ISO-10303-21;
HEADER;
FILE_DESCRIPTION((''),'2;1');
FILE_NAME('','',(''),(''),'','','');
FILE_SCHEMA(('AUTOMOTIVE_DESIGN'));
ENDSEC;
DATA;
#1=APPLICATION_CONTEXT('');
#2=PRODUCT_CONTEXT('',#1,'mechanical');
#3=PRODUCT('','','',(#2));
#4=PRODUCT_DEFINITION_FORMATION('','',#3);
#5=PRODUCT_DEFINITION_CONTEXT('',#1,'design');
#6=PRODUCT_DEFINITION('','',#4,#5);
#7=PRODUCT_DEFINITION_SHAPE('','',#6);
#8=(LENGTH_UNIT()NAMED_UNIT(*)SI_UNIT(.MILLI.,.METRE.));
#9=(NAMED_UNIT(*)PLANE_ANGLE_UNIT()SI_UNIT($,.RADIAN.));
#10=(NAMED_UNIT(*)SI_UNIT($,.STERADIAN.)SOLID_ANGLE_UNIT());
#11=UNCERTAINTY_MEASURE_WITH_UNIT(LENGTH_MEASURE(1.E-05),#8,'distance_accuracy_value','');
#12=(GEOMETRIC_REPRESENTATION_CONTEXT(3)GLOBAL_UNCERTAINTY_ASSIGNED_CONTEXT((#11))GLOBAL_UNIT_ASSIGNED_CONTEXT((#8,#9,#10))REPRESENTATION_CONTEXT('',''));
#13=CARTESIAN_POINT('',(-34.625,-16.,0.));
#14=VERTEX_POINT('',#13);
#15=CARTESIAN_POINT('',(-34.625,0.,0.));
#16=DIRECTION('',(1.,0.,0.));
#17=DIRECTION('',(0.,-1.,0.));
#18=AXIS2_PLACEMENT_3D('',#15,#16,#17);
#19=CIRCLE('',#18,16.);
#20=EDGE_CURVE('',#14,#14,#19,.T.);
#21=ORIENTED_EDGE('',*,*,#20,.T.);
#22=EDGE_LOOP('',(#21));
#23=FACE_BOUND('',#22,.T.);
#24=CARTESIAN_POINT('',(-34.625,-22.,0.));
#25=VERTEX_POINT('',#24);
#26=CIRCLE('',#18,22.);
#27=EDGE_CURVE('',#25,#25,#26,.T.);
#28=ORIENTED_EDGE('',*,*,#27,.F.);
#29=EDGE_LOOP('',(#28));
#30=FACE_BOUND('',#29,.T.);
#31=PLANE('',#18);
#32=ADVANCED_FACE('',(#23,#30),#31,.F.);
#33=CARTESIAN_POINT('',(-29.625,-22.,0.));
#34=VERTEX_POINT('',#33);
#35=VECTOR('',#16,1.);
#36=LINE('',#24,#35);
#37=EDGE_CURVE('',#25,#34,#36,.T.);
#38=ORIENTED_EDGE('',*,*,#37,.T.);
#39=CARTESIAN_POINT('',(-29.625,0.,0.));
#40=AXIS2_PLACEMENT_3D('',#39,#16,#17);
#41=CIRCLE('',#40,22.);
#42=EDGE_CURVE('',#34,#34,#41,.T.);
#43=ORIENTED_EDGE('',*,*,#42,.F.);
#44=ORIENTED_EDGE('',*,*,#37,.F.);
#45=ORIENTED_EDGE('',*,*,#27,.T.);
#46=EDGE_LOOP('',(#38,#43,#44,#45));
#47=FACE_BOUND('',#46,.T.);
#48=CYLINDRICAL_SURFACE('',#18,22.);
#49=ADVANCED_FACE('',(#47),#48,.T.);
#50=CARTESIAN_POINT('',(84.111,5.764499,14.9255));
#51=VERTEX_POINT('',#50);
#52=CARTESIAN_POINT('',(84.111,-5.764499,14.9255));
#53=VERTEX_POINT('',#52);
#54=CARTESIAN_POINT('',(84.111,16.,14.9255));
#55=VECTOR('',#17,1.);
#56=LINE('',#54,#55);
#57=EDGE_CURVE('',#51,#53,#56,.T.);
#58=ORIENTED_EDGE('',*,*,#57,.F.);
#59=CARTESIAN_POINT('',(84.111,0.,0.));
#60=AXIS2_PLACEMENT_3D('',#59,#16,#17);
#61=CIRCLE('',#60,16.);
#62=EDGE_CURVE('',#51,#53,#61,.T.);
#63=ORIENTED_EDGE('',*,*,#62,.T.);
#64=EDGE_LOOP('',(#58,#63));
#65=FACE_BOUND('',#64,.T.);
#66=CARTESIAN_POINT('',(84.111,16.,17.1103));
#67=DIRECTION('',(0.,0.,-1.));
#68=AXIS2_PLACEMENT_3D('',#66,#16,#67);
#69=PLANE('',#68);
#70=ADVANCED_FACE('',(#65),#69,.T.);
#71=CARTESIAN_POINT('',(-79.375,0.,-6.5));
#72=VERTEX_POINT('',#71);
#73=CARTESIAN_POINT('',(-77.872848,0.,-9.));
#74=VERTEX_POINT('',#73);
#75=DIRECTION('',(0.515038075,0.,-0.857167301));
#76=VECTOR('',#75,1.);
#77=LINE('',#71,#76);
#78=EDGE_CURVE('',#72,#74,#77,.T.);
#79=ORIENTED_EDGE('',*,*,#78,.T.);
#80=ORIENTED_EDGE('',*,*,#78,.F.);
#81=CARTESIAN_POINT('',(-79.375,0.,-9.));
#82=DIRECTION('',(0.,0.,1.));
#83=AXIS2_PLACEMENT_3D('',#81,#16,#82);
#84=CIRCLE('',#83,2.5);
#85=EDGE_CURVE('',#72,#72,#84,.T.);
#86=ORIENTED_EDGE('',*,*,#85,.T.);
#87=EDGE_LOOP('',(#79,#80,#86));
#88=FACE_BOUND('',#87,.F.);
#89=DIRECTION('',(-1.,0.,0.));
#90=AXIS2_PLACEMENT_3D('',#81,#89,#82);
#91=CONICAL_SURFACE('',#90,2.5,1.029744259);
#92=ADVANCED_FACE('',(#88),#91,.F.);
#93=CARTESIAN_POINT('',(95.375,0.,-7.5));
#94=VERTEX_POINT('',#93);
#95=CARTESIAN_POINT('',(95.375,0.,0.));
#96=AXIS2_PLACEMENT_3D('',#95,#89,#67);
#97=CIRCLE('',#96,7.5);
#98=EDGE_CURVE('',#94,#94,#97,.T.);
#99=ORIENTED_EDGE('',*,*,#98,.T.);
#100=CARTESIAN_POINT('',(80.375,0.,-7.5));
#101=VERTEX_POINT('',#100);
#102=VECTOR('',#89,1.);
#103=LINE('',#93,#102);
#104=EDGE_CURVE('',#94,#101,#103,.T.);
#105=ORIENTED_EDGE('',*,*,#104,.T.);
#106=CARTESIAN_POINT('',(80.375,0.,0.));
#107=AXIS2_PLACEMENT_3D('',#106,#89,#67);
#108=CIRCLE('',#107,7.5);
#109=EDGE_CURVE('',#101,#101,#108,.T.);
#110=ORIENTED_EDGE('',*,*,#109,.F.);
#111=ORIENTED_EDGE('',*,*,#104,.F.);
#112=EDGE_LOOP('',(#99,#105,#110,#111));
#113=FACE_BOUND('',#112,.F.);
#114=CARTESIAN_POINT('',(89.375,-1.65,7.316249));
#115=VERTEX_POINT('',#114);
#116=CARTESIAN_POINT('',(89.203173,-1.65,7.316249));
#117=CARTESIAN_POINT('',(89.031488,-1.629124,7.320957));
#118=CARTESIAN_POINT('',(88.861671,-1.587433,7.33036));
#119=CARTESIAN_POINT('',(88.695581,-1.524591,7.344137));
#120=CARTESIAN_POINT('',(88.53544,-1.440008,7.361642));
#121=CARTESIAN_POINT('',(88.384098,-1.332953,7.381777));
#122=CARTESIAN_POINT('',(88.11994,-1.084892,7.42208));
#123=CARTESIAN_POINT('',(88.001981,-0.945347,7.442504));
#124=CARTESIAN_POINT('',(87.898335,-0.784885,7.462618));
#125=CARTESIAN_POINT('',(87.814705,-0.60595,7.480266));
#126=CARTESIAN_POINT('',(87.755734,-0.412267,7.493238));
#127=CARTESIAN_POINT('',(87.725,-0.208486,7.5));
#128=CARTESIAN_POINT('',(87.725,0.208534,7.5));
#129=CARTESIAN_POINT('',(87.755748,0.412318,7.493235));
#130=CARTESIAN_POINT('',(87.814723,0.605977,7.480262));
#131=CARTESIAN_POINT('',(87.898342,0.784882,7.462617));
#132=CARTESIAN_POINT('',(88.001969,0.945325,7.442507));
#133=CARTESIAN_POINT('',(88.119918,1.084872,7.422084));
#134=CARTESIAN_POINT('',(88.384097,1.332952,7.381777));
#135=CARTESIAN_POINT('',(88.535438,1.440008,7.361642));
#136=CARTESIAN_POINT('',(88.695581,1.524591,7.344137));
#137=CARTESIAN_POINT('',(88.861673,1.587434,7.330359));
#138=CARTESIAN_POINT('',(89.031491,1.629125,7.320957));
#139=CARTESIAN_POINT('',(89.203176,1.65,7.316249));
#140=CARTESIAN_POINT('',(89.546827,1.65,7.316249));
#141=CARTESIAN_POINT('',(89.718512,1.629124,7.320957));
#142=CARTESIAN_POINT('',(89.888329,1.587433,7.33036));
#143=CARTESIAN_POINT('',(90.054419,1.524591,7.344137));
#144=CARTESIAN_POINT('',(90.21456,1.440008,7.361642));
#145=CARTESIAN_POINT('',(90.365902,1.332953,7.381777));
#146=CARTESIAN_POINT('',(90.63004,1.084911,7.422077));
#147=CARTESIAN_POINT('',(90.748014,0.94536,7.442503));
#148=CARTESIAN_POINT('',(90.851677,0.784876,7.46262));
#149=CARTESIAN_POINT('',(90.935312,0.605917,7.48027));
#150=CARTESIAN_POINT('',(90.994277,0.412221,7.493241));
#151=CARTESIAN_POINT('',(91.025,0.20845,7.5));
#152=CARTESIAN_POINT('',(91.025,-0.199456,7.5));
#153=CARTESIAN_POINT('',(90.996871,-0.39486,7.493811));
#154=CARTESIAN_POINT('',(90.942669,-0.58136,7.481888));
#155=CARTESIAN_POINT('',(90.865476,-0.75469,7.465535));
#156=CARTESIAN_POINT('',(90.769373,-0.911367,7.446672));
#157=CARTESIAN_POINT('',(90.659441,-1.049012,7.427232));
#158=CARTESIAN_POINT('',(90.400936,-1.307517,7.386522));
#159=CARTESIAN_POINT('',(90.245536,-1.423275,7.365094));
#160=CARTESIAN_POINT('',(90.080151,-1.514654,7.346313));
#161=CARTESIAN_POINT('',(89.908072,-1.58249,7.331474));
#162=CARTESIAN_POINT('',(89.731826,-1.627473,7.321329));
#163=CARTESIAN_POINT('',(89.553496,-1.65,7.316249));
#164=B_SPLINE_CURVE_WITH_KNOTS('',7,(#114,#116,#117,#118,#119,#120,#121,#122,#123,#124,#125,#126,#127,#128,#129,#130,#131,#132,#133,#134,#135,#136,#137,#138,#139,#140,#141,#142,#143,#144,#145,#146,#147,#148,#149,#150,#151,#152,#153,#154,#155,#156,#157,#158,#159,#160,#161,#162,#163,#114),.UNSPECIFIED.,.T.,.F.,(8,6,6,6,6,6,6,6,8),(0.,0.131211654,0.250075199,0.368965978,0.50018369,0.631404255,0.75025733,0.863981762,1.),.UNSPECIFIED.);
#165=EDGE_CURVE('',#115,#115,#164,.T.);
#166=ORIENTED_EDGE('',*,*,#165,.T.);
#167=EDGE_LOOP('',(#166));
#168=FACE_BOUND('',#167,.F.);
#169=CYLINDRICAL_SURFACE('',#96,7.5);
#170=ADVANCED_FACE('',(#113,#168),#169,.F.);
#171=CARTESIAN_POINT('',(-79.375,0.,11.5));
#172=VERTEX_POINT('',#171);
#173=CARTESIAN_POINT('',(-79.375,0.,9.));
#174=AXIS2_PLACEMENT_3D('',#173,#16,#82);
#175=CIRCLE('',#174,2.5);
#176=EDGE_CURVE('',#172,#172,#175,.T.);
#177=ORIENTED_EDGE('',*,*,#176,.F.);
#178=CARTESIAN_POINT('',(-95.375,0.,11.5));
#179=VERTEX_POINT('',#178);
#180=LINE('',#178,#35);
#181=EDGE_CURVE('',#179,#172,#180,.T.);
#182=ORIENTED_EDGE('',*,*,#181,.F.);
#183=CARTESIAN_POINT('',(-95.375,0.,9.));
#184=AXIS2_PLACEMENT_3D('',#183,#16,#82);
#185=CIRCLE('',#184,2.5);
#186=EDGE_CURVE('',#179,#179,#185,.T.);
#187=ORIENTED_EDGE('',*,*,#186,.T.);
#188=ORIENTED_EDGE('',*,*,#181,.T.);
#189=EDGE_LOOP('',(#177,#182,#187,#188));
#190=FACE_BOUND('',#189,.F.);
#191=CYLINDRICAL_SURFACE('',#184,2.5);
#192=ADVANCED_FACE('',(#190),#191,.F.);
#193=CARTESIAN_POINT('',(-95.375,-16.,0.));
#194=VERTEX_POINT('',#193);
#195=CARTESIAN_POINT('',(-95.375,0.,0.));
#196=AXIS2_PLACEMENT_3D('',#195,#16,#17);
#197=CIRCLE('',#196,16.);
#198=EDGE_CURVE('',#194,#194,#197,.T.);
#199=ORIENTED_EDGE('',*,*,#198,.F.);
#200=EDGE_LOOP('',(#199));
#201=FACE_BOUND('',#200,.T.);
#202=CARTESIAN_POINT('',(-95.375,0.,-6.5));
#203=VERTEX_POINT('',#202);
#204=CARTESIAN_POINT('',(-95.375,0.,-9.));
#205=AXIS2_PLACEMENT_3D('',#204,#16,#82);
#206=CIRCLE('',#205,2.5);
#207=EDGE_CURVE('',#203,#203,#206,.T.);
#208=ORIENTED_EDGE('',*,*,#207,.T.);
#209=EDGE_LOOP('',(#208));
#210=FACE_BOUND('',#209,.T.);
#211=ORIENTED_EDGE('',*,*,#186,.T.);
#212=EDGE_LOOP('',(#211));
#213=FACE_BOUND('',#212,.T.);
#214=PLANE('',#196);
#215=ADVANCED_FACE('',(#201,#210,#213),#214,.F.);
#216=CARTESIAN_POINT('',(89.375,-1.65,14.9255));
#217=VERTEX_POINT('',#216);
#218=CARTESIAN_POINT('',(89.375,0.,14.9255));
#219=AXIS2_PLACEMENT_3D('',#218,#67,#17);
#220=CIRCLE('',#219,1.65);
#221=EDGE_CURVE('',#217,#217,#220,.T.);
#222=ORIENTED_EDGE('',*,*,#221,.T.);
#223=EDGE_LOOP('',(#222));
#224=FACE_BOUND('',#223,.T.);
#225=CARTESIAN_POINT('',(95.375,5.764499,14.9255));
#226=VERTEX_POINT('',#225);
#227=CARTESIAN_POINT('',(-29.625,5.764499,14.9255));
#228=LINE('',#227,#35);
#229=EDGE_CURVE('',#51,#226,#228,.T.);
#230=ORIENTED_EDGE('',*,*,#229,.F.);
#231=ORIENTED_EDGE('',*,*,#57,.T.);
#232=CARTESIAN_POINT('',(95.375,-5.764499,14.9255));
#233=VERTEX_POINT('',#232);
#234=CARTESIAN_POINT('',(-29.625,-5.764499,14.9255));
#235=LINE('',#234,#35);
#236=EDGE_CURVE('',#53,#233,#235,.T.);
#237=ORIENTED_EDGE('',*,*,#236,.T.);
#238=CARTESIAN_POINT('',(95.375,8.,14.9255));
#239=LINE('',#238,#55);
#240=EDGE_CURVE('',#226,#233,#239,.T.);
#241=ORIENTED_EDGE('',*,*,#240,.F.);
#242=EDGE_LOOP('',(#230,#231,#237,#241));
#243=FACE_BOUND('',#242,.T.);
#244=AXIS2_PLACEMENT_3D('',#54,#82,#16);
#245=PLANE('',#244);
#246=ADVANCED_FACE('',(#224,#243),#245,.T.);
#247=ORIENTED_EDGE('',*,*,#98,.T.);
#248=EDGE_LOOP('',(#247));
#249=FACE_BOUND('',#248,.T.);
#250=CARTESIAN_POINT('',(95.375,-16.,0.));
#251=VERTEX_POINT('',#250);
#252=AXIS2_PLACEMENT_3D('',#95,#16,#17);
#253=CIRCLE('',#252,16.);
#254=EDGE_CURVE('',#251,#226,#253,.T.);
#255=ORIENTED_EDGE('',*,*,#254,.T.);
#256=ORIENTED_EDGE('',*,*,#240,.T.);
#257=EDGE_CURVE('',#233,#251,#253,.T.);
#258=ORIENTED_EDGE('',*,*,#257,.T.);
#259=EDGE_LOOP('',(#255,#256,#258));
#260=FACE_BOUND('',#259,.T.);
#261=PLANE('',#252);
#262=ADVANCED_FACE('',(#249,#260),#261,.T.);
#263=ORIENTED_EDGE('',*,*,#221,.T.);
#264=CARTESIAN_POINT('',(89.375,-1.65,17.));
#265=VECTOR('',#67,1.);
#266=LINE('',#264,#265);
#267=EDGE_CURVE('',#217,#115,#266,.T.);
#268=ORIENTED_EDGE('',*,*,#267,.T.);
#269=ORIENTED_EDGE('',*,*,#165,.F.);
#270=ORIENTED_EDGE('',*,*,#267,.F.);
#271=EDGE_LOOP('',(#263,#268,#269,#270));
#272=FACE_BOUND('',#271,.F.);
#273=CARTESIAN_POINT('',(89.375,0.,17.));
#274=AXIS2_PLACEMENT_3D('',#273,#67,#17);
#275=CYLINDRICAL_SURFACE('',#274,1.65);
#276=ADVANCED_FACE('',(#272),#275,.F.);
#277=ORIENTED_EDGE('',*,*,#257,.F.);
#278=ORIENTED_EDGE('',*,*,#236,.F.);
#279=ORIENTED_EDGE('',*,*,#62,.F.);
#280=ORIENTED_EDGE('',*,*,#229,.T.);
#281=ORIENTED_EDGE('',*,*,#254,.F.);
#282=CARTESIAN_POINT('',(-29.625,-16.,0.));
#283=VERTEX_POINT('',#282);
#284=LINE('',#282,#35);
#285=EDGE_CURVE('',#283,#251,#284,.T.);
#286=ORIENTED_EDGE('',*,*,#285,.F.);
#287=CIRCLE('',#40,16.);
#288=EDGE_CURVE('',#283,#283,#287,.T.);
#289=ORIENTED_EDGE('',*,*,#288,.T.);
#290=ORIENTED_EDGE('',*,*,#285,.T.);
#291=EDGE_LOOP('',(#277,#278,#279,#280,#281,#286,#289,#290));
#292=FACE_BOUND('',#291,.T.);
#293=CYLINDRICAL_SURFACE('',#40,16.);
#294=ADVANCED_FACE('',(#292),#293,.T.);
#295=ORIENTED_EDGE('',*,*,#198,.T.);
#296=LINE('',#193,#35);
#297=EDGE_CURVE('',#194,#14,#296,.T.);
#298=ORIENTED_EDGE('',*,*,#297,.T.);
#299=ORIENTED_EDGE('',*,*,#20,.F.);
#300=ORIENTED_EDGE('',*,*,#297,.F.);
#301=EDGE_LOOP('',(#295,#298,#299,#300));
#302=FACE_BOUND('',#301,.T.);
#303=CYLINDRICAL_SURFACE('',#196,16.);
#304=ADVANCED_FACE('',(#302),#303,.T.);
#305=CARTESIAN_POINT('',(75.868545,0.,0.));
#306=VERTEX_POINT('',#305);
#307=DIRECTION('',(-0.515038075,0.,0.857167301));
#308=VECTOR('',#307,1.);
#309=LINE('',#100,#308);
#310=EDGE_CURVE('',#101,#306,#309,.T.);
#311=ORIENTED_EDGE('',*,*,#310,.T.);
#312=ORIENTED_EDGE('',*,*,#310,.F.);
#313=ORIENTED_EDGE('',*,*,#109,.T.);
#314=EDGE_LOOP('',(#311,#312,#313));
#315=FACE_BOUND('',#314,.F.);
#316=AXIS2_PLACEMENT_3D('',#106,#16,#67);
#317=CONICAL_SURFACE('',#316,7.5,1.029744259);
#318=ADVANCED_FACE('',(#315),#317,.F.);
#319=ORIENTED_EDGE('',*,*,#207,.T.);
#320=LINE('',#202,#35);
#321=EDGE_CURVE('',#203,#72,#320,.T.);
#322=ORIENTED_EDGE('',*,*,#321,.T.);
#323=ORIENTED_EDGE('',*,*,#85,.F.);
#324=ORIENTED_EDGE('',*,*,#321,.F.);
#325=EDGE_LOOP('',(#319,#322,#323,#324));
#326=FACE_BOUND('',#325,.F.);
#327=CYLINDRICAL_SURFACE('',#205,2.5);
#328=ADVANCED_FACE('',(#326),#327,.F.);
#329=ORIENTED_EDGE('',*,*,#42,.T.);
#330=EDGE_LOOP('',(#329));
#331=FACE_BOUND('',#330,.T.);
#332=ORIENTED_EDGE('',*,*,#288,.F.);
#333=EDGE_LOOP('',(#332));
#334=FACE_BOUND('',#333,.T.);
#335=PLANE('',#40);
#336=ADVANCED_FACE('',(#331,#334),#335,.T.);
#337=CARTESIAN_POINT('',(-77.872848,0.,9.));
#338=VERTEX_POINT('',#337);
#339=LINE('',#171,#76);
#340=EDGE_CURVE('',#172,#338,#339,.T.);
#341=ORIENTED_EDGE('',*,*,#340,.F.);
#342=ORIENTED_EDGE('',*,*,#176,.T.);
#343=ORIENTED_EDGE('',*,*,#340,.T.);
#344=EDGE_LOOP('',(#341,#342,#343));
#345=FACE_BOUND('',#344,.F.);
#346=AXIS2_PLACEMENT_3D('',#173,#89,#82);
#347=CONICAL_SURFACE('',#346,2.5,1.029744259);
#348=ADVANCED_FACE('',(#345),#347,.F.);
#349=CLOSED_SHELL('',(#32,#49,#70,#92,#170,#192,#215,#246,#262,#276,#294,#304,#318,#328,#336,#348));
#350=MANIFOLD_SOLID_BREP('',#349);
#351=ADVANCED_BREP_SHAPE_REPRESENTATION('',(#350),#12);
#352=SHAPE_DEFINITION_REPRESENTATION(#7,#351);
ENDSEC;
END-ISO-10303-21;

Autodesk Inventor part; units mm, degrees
ref_plane "YZ Plane" through (0, 0, 0) normal (1, 0, 0) x (0, 1, 0)
sketch "Skizze1" plane through (0, 0, 0) normal (0, 0, 1) x (1, 0, 0)
  line L0 (-95.375, 0) -> (-95.375, -16)
  line L1 (-95.375, -16) -> (-34.625, -16)
  line L2 (-34.625, -16) -> (-34.625, -22)
  line L3 (-34.625, -22) -> (-29.625, -22)
  line L4 (-29.625, -22) -> (-29.625, -16)
  line L5 (-29.625, -16) -> (95.375, -16)
  line L6 (95.375, -16) -> (95.375, 0)
  line L7 (0, -26.4) -> (0, 4.4) projected
  line L8 (-95.375, 0) -> (95.375, 0)
  point P0 (0, 0)
  dimension "d0" = 190.75
  dimension "d1" = 60.75
  dimension "d2" = 5
  dimension "d3" = 44
  dimension "d4" = 32
revolve "Umdrehung1" add sketch "Skizze1" angle 360 about axis through (-95.375, 0, 0) along (1, 0, 0)
sketch "Skizze2" plane through (95.375, 0, 0) normal (1, 0, 0) x (0, 0, -1)
  point P0 (0, 0)
  point P1 (0, 0)
hole "Bohrung1" at (95.375, 0, 0) direction (-1, 0, 0) diameter 15 depth 15 tip angle 118
ref_plane "Arbeitsebene1" through (0, 0, 17) normal (0, 0, 1) x (1, 0, 0)
sketch "Skizze3" plane through (0, 0, 17) normal (0, 0, 1) x (1, 0, 0)
  line L0 (95.375, 16) -> (95.375, -16) projected
  line L1 (-19.1, 0) -> (114.6, 0) projected
  point P0 (0, 0)
  point P1 (89.375, 0)
  dimension "d14" = 6
hole "Bohrung2" at (89.375, 0, 17) direction (0, 0, -1) diameter 3.3 depth 15 tip angle 118
thread "Gewinde1" size "M4x0.7" class "6H" standard "ANSI Metric M Profile" full length
ref_plane "Arbeitsebene2" through (32.875, 16, 0) normal (0, 1, 0) x (-1, 0, 0)
sketch "Skizze4" plane through (32.875, 16, 0) normal (0, 1, 0) x (-1, 0, 0)
  line L0 (-51.236, 14.9255) -> (-64.8567, 14.9255)
  line L1 (-64.8567, 14.9255) -> (-64.8567, 17.1103)
  line L2 (-64.8567, 17.1103) -> (-51.236, 17.1103)
  line L3 (-51.236, 17.1103) -> (-51.236, 14.9255)
  point P0 (32.875, 0)
extrude "Extrusion1" cut sketch "Skizze4" against normal through all
sketch "Skizze5" plane through (-95.375, 0, 0) normal (-1, 0, 0) x (0, 0, 1)
  line L0 (-30.8, 0) -> (30.8, 0) projected
  line L1 (0, -30.8) -> (0, 30.8) projected
  point P0 (9, 0)
  point P1 (-9, 0)
  dimension "d26" = 18
hole "Bohrung3" at (-95.375, 0, 9) at (-95.375, 0, -9) direction (1, 0, 0) diameter 5 depth 16 tip angle 118
thread "Gewinde2" size "M6x1" class "6H" standard "ANSI Metric M Profile" length 12
thread "Gewinde4" size "M6x1" class "6H" standard "ANSI Metric M Profile" length 12
properties part number "KON_Nietmaschine_Dorn" material "Stahl"
